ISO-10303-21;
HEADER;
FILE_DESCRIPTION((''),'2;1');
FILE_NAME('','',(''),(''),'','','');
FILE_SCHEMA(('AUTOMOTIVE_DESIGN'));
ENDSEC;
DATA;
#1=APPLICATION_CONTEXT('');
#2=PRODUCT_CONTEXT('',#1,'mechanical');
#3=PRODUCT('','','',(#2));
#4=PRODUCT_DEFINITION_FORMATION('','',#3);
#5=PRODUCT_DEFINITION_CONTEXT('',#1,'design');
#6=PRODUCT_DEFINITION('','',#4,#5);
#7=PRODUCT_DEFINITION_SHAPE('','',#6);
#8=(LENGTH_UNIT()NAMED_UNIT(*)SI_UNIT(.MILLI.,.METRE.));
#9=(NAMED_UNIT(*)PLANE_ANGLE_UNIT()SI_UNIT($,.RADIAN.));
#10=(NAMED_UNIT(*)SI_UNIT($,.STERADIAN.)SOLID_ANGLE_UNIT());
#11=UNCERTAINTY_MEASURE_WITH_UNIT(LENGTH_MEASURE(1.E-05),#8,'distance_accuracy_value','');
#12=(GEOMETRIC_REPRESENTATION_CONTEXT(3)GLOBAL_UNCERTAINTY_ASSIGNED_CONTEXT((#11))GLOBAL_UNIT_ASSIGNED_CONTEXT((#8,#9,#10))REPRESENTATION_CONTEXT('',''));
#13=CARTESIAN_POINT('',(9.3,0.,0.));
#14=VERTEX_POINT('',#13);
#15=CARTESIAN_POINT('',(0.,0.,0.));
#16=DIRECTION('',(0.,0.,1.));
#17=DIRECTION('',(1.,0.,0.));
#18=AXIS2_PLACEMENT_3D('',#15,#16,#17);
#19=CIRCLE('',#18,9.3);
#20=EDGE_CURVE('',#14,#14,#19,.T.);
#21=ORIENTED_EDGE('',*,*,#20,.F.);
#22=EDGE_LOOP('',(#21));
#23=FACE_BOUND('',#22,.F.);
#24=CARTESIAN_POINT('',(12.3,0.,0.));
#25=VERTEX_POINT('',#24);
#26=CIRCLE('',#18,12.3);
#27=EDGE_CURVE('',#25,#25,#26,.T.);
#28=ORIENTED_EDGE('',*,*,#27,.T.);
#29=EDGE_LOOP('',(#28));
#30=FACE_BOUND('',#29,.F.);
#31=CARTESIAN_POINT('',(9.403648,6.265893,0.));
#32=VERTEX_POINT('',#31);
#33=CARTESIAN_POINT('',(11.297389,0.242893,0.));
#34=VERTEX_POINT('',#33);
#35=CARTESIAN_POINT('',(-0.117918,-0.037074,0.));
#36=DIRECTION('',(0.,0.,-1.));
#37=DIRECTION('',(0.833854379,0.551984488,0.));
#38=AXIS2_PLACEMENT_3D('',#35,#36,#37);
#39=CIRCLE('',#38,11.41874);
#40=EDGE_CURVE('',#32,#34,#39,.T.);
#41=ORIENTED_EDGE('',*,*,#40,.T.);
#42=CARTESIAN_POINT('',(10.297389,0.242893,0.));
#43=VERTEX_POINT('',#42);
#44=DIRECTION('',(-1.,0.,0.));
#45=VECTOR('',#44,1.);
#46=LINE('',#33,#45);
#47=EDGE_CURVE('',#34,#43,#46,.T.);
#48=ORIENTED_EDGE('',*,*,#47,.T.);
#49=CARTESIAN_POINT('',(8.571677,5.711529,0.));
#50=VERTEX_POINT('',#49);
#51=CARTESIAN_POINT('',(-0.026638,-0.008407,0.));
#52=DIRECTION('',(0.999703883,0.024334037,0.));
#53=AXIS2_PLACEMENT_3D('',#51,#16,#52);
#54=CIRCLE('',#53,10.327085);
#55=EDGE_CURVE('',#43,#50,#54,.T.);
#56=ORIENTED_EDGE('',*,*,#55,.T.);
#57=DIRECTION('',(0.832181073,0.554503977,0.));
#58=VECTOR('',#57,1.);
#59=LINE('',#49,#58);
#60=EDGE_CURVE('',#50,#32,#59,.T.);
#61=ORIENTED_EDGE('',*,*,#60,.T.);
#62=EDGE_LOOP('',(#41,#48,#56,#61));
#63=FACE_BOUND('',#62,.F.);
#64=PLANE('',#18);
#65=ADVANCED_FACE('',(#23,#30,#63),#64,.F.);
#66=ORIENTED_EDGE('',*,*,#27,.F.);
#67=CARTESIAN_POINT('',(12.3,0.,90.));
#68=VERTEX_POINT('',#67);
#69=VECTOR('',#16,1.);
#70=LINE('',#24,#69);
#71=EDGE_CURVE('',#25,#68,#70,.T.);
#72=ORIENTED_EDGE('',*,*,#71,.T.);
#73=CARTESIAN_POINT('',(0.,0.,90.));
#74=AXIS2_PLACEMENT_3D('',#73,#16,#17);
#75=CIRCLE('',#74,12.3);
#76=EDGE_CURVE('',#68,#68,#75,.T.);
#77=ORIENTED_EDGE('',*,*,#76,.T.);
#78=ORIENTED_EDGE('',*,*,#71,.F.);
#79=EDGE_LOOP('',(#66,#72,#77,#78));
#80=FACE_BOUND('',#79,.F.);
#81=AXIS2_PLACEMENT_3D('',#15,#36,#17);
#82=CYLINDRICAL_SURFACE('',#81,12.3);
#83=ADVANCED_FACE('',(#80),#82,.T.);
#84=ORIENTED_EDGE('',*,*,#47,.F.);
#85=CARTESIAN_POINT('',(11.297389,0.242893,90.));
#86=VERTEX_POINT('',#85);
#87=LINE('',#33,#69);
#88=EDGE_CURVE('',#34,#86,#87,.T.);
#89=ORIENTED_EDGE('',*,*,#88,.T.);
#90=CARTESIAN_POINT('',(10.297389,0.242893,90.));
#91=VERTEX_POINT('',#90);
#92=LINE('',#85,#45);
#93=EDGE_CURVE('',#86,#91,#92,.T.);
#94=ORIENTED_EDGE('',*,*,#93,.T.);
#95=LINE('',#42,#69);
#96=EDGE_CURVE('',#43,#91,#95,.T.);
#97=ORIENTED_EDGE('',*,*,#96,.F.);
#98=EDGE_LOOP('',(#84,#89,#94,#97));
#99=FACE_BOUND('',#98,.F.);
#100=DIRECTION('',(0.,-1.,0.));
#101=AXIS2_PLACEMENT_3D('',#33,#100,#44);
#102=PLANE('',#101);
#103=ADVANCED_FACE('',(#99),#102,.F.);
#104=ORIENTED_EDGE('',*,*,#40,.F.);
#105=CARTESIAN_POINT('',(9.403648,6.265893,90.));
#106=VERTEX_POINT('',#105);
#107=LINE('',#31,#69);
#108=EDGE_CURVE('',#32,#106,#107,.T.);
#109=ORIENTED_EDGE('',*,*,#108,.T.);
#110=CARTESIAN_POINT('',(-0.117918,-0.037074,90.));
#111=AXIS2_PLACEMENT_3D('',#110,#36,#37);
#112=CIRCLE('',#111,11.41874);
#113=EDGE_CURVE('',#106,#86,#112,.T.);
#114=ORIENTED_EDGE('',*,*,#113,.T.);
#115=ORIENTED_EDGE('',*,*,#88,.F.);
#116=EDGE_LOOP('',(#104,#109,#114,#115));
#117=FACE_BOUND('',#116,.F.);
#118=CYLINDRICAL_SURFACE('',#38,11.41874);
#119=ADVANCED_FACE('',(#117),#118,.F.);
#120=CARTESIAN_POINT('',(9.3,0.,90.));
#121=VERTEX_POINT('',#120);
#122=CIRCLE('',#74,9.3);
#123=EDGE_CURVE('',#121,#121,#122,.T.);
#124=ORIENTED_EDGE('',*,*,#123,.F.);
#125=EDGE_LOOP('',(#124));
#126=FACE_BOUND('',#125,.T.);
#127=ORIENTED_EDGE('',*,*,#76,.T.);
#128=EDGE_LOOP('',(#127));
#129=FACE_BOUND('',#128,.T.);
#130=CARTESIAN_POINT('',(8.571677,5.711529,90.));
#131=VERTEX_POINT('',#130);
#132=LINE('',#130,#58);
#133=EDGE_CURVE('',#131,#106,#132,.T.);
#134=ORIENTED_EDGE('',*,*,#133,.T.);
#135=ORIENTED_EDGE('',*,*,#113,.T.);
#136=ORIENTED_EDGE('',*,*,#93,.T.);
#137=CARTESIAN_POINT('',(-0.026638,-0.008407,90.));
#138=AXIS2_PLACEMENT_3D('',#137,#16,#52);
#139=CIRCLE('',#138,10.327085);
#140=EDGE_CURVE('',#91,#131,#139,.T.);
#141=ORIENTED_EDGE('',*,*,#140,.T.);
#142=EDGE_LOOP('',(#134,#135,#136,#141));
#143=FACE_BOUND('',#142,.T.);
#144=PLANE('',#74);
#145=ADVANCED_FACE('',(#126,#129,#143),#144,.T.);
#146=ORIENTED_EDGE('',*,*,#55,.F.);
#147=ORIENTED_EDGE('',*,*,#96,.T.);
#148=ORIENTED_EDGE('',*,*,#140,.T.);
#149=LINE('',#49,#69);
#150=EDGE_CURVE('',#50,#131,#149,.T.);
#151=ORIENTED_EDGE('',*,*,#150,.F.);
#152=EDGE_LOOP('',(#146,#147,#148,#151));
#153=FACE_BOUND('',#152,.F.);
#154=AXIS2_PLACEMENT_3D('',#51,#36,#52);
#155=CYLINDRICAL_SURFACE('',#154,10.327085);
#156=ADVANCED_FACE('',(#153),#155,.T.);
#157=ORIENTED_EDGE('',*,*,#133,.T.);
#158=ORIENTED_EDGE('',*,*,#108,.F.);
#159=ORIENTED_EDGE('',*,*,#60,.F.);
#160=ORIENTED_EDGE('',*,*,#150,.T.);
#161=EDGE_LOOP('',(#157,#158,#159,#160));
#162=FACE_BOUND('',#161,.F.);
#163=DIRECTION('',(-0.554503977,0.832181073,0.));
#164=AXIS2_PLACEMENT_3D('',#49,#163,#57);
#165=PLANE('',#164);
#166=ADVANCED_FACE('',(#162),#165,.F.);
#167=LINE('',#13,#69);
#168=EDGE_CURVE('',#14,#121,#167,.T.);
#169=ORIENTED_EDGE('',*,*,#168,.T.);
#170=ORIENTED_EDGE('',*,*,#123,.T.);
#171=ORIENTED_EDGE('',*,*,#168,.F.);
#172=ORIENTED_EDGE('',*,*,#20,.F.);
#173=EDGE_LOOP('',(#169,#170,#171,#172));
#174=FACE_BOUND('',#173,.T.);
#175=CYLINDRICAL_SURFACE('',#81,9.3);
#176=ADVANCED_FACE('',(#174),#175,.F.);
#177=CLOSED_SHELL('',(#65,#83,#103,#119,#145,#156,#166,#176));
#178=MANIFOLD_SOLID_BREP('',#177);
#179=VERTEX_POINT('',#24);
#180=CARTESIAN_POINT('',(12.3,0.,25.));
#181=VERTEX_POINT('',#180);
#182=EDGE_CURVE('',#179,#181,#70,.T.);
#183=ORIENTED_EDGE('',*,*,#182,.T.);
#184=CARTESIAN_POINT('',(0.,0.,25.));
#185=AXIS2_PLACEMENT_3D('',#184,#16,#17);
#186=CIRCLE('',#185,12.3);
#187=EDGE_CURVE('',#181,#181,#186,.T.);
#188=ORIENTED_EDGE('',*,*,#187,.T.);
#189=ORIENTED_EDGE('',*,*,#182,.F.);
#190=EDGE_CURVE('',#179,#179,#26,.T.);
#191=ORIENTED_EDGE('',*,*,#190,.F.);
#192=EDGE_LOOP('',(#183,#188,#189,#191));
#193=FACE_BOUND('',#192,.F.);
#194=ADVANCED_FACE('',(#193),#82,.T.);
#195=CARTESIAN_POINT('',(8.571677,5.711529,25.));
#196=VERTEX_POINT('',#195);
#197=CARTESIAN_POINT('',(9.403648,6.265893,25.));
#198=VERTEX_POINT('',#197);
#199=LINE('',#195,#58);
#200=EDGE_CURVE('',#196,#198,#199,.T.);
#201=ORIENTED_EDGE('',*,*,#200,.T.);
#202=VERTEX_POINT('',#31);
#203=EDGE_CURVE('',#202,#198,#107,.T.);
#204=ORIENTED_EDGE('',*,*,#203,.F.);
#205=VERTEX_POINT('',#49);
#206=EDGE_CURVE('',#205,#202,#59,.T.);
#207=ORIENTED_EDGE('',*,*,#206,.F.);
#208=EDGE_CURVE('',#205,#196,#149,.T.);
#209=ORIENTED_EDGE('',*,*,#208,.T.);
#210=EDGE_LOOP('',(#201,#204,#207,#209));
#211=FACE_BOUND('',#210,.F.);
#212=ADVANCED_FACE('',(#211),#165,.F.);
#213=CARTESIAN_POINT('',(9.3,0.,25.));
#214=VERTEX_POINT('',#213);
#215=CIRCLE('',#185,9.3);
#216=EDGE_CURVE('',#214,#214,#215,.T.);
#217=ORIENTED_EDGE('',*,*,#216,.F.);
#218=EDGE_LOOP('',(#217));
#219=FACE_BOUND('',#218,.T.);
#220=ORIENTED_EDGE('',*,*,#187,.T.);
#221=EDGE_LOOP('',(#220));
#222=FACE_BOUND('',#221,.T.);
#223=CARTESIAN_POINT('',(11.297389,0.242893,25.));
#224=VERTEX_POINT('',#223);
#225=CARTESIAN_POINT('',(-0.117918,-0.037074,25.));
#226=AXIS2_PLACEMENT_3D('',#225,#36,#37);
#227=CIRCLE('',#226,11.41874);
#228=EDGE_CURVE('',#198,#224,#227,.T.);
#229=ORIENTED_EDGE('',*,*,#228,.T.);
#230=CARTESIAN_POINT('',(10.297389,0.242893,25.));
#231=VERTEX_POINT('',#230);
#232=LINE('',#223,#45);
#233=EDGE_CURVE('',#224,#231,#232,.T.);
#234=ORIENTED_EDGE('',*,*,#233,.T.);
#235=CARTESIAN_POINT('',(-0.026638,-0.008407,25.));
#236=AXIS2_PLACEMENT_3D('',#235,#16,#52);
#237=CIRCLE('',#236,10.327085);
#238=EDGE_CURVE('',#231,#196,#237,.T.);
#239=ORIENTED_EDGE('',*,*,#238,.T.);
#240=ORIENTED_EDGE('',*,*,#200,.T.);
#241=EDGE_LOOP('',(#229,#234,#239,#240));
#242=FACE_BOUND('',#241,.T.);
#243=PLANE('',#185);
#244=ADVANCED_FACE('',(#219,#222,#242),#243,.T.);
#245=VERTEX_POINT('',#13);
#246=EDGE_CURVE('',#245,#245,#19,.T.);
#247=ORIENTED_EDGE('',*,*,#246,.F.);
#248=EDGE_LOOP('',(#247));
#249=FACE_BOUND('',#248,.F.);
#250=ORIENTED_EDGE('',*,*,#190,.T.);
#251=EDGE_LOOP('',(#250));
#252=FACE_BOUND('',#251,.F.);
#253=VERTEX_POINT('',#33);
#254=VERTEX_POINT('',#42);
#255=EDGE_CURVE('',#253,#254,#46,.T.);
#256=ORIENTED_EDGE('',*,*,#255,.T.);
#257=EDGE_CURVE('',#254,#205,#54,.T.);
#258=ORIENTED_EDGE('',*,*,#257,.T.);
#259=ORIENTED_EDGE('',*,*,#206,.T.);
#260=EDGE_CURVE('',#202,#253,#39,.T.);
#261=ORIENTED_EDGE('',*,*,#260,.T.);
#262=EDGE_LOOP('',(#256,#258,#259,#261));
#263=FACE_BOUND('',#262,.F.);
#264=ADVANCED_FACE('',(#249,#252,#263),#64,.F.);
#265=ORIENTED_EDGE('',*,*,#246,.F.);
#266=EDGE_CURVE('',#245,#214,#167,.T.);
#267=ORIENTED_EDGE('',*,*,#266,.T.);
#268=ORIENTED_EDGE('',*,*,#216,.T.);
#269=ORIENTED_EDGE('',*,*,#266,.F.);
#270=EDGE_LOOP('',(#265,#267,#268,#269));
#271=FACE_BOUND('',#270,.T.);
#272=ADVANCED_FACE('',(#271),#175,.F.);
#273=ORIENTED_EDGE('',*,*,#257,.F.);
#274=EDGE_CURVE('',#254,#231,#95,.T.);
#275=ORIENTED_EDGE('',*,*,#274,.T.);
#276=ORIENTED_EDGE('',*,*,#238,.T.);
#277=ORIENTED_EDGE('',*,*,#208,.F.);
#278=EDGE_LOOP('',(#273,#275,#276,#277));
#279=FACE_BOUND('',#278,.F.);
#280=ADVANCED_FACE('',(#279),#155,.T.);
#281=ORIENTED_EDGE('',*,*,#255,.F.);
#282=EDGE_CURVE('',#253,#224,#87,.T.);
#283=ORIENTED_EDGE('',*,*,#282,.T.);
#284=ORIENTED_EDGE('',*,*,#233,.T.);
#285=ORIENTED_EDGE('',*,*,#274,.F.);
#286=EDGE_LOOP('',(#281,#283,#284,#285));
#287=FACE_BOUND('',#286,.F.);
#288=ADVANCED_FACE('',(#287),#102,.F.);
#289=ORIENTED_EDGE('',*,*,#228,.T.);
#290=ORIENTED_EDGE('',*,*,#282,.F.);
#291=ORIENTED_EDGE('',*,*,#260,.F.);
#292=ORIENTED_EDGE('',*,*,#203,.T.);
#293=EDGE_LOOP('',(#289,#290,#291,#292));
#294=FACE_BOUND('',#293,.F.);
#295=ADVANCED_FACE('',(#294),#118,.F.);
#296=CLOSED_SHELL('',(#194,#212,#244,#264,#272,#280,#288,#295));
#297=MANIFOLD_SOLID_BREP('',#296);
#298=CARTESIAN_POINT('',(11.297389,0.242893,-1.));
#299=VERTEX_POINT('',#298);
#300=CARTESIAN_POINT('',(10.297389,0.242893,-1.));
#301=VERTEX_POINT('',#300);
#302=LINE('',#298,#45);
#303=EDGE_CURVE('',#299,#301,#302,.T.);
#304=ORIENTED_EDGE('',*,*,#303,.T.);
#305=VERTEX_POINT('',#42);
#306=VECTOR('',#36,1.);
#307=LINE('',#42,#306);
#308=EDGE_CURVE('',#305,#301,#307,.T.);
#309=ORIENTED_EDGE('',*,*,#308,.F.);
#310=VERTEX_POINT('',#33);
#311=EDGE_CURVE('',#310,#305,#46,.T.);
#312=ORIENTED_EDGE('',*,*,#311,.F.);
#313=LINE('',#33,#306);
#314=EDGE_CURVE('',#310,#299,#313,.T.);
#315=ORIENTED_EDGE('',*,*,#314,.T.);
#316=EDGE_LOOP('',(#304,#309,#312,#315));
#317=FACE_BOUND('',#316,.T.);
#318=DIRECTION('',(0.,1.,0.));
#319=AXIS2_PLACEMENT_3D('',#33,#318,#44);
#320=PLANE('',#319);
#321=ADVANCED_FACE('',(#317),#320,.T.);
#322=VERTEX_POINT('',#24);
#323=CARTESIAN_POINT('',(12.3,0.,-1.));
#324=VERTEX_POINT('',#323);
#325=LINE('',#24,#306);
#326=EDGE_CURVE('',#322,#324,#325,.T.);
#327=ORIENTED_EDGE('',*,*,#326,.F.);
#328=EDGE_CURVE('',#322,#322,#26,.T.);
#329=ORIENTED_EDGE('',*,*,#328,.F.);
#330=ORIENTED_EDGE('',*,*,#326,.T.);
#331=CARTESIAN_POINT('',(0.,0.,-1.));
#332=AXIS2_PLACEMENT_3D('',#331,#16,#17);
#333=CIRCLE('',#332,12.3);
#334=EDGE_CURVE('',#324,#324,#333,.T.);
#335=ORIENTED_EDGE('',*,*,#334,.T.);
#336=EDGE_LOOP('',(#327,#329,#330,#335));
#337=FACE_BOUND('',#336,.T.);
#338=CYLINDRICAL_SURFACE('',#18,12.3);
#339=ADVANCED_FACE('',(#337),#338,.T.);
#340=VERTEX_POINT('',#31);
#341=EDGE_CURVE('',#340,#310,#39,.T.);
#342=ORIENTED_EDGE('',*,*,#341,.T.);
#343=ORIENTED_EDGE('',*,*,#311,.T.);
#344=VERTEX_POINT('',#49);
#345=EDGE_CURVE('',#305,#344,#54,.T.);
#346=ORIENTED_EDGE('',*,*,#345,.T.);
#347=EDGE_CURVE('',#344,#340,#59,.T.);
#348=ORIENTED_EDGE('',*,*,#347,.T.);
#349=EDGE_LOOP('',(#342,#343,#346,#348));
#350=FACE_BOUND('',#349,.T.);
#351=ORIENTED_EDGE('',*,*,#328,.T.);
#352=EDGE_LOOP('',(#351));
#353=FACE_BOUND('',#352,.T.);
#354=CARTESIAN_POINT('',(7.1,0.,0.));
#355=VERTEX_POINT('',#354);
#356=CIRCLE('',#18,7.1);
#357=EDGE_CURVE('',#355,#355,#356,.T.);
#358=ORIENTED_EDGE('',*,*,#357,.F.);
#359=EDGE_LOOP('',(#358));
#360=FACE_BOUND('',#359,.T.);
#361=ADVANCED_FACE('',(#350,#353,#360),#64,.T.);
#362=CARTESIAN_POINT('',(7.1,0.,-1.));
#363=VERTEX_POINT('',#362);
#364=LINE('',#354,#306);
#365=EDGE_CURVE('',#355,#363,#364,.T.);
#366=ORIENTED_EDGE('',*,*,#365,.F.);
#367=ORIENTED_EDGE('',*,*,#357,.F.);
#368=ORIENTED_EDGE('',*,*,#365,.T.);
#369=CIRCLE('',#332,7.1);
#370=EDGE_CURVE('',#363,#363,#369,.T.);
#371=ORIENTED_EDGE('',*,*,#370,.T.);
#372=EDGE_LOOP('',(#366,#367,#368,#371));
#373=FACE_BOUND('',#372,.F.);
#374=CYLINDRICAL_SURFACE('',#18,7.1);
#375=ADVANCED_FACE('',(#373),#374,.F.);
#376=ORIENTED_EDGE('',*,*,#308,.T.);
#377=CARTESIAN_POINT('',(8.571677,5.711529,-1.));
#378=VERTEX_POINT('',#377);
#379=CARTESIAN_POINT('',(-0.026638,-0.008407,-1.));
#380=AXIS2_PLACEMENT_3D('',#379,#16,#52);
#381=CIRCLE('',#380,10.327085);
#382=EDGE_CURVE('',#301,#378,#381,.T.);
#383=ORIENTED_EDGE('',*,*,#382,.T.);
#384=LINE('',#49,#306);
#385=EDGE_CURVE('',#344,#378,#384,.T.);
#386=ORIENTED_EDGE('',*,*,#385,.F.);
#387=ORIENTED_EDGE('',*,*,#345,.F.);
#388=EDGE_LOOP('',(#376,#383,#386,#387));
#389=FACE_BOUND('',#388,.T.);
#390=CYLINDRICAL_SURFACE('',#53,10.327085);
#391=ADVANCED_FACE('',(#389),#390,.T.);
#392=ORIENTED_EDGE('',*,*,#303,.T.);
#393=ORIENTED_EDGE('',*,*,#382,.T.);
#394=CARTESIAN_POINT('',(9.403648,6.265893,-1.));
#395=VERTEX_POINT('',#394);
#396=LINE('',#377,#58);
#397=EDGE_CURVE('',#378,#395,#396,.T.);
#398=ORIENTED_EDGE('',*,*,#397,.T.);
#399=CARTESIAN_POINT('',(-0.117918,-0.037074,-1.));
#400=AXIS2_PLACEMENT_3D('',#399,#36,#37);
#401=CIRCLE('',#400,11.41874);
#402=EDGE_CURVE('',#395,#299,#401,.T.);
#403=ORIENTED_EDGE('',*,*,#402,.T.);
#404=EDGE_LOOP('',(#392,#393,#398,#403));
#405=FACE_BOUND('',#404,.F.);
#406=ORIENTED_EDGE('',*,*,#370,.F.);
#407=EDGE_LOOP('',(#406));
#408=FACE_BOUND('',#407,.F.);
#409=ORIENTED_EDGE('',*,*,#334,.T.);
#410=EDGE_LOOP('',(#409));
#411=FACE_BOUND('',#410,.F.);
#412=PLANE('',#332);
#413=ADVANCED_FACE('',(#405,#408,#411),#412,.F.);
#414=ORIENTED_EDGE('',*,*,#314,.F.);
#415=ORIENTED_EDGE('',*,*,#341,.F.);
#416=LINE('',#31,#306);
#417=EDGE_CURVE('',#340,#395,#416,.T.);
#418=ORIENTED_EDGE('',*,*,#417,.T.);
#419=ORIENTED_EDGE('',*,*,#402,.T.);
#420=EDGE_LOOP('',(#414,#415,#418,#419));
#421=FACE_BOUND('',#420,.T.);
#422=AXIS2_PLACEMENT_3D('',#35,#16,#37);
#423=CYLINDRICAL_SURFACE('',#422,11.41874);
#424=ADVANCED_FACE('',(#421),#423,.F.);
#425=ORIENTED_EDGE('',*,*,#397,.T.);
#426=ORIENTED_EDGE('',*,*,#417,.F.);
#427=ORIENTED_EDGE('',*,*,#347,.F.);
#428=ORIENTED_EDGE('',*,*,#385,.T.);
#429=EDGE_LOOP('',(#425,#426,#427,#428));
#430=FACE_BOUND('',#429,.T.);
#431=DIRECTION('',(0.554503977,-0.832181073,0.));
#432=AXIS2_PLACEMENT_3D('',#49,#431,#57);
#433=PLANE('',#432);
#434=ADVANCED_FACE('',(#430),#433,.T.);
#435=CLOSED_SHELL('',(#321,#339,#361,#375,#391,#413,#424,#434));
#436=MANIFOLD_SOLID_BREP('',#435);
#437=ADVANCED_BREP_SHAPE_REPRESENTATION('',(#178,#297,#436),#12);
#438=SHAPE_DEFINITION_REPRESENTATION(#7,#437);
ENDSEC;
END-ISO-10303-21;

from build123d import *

# Parameters (mm, degrees)
F0_R     = 12.3
F0_R_2   = 9.3
F1_DEPTH = 90
F0_R_3   = 7.1
F2_DEPTH = 1
F3_DEPTH = 25


with BuildPart() as f1:
    # F0 (on Top) → F1 (new body)
    with BuildSketch(Plane.XY):
        Circle(F0_R)
        Circle(F0_R_2, mode=Mode.SUBTRACT)
        with BuildLine():
            Line((11.297389, 0.242893), (10.297389, 0.242893))
            ThreePointArc((10.297389, 0.242893), (9.821725, 3.099395), (8.571677, 5.711529))
            Line((8.571677, 5.711529), (9.403648, 6.265893))
            ThreePointArc((9.403648, 6.265893), (10.775075, 3.387881), (11.297389, 0.242893))
        make_face(mode=Mode.SUBTRACT)
    extrude(amount=F1_DEPTH)


with BuildPart() as f2:
    # F0 (on Top) → F2 (new body)
    with BuildSketch(Plane.XY):
        Circle(F0_R)
        Circle(F0_R_2, mode=Mode.SUBTRACT)
        with BuildLine():
            Line((11.297389, 0.242893), (10.297389, 0.242893))
            ThreePointArc((10.297389, 0.242893), (9.821725, 3.099395), (8.571677, 5.711529))
            Line((8.571677, 5.711529), (9.403648, 6.265893))
            ThreePointArc((9.403648, 6.265893), (10.775075, 3.387881), (11.297389, 0.242893))
        make_face(mode=Mode.SUBTRACT)
        Circle(F0_R_2)
        Circle(F0_R_3, mode=Mode.SUBTRACT)
    extrude(amount=-F2_DEPTH)


with BuildPart() as f3:
    # F0 (on Top) → F3 (new body)
    with BuildSketch(Plane.XY):
        Circle(F0_R)
        Circle(F0_R_2, mode=Mode.SUBTRACT)
        with BuildLine():
            Line((11.297389, 0.242893), (10.297389, 0.242893))
            ThreePointArc((10.297389, 0.242893), (9.821725, 3.099395), (8.571677, 5.711529))
            Line((8.571677, 5.711529), (9.403648, 6.265893))
            ThreePointArc((9.403648, 6.265893), (10.775075, 3.387881), (11.297389, 0.242893))
        make_face(mode=Mode.SUBTRACT)
    extrude(amount=F3_DEPTH)


solid = Compound([f1.part, f2.part, f3.part])
